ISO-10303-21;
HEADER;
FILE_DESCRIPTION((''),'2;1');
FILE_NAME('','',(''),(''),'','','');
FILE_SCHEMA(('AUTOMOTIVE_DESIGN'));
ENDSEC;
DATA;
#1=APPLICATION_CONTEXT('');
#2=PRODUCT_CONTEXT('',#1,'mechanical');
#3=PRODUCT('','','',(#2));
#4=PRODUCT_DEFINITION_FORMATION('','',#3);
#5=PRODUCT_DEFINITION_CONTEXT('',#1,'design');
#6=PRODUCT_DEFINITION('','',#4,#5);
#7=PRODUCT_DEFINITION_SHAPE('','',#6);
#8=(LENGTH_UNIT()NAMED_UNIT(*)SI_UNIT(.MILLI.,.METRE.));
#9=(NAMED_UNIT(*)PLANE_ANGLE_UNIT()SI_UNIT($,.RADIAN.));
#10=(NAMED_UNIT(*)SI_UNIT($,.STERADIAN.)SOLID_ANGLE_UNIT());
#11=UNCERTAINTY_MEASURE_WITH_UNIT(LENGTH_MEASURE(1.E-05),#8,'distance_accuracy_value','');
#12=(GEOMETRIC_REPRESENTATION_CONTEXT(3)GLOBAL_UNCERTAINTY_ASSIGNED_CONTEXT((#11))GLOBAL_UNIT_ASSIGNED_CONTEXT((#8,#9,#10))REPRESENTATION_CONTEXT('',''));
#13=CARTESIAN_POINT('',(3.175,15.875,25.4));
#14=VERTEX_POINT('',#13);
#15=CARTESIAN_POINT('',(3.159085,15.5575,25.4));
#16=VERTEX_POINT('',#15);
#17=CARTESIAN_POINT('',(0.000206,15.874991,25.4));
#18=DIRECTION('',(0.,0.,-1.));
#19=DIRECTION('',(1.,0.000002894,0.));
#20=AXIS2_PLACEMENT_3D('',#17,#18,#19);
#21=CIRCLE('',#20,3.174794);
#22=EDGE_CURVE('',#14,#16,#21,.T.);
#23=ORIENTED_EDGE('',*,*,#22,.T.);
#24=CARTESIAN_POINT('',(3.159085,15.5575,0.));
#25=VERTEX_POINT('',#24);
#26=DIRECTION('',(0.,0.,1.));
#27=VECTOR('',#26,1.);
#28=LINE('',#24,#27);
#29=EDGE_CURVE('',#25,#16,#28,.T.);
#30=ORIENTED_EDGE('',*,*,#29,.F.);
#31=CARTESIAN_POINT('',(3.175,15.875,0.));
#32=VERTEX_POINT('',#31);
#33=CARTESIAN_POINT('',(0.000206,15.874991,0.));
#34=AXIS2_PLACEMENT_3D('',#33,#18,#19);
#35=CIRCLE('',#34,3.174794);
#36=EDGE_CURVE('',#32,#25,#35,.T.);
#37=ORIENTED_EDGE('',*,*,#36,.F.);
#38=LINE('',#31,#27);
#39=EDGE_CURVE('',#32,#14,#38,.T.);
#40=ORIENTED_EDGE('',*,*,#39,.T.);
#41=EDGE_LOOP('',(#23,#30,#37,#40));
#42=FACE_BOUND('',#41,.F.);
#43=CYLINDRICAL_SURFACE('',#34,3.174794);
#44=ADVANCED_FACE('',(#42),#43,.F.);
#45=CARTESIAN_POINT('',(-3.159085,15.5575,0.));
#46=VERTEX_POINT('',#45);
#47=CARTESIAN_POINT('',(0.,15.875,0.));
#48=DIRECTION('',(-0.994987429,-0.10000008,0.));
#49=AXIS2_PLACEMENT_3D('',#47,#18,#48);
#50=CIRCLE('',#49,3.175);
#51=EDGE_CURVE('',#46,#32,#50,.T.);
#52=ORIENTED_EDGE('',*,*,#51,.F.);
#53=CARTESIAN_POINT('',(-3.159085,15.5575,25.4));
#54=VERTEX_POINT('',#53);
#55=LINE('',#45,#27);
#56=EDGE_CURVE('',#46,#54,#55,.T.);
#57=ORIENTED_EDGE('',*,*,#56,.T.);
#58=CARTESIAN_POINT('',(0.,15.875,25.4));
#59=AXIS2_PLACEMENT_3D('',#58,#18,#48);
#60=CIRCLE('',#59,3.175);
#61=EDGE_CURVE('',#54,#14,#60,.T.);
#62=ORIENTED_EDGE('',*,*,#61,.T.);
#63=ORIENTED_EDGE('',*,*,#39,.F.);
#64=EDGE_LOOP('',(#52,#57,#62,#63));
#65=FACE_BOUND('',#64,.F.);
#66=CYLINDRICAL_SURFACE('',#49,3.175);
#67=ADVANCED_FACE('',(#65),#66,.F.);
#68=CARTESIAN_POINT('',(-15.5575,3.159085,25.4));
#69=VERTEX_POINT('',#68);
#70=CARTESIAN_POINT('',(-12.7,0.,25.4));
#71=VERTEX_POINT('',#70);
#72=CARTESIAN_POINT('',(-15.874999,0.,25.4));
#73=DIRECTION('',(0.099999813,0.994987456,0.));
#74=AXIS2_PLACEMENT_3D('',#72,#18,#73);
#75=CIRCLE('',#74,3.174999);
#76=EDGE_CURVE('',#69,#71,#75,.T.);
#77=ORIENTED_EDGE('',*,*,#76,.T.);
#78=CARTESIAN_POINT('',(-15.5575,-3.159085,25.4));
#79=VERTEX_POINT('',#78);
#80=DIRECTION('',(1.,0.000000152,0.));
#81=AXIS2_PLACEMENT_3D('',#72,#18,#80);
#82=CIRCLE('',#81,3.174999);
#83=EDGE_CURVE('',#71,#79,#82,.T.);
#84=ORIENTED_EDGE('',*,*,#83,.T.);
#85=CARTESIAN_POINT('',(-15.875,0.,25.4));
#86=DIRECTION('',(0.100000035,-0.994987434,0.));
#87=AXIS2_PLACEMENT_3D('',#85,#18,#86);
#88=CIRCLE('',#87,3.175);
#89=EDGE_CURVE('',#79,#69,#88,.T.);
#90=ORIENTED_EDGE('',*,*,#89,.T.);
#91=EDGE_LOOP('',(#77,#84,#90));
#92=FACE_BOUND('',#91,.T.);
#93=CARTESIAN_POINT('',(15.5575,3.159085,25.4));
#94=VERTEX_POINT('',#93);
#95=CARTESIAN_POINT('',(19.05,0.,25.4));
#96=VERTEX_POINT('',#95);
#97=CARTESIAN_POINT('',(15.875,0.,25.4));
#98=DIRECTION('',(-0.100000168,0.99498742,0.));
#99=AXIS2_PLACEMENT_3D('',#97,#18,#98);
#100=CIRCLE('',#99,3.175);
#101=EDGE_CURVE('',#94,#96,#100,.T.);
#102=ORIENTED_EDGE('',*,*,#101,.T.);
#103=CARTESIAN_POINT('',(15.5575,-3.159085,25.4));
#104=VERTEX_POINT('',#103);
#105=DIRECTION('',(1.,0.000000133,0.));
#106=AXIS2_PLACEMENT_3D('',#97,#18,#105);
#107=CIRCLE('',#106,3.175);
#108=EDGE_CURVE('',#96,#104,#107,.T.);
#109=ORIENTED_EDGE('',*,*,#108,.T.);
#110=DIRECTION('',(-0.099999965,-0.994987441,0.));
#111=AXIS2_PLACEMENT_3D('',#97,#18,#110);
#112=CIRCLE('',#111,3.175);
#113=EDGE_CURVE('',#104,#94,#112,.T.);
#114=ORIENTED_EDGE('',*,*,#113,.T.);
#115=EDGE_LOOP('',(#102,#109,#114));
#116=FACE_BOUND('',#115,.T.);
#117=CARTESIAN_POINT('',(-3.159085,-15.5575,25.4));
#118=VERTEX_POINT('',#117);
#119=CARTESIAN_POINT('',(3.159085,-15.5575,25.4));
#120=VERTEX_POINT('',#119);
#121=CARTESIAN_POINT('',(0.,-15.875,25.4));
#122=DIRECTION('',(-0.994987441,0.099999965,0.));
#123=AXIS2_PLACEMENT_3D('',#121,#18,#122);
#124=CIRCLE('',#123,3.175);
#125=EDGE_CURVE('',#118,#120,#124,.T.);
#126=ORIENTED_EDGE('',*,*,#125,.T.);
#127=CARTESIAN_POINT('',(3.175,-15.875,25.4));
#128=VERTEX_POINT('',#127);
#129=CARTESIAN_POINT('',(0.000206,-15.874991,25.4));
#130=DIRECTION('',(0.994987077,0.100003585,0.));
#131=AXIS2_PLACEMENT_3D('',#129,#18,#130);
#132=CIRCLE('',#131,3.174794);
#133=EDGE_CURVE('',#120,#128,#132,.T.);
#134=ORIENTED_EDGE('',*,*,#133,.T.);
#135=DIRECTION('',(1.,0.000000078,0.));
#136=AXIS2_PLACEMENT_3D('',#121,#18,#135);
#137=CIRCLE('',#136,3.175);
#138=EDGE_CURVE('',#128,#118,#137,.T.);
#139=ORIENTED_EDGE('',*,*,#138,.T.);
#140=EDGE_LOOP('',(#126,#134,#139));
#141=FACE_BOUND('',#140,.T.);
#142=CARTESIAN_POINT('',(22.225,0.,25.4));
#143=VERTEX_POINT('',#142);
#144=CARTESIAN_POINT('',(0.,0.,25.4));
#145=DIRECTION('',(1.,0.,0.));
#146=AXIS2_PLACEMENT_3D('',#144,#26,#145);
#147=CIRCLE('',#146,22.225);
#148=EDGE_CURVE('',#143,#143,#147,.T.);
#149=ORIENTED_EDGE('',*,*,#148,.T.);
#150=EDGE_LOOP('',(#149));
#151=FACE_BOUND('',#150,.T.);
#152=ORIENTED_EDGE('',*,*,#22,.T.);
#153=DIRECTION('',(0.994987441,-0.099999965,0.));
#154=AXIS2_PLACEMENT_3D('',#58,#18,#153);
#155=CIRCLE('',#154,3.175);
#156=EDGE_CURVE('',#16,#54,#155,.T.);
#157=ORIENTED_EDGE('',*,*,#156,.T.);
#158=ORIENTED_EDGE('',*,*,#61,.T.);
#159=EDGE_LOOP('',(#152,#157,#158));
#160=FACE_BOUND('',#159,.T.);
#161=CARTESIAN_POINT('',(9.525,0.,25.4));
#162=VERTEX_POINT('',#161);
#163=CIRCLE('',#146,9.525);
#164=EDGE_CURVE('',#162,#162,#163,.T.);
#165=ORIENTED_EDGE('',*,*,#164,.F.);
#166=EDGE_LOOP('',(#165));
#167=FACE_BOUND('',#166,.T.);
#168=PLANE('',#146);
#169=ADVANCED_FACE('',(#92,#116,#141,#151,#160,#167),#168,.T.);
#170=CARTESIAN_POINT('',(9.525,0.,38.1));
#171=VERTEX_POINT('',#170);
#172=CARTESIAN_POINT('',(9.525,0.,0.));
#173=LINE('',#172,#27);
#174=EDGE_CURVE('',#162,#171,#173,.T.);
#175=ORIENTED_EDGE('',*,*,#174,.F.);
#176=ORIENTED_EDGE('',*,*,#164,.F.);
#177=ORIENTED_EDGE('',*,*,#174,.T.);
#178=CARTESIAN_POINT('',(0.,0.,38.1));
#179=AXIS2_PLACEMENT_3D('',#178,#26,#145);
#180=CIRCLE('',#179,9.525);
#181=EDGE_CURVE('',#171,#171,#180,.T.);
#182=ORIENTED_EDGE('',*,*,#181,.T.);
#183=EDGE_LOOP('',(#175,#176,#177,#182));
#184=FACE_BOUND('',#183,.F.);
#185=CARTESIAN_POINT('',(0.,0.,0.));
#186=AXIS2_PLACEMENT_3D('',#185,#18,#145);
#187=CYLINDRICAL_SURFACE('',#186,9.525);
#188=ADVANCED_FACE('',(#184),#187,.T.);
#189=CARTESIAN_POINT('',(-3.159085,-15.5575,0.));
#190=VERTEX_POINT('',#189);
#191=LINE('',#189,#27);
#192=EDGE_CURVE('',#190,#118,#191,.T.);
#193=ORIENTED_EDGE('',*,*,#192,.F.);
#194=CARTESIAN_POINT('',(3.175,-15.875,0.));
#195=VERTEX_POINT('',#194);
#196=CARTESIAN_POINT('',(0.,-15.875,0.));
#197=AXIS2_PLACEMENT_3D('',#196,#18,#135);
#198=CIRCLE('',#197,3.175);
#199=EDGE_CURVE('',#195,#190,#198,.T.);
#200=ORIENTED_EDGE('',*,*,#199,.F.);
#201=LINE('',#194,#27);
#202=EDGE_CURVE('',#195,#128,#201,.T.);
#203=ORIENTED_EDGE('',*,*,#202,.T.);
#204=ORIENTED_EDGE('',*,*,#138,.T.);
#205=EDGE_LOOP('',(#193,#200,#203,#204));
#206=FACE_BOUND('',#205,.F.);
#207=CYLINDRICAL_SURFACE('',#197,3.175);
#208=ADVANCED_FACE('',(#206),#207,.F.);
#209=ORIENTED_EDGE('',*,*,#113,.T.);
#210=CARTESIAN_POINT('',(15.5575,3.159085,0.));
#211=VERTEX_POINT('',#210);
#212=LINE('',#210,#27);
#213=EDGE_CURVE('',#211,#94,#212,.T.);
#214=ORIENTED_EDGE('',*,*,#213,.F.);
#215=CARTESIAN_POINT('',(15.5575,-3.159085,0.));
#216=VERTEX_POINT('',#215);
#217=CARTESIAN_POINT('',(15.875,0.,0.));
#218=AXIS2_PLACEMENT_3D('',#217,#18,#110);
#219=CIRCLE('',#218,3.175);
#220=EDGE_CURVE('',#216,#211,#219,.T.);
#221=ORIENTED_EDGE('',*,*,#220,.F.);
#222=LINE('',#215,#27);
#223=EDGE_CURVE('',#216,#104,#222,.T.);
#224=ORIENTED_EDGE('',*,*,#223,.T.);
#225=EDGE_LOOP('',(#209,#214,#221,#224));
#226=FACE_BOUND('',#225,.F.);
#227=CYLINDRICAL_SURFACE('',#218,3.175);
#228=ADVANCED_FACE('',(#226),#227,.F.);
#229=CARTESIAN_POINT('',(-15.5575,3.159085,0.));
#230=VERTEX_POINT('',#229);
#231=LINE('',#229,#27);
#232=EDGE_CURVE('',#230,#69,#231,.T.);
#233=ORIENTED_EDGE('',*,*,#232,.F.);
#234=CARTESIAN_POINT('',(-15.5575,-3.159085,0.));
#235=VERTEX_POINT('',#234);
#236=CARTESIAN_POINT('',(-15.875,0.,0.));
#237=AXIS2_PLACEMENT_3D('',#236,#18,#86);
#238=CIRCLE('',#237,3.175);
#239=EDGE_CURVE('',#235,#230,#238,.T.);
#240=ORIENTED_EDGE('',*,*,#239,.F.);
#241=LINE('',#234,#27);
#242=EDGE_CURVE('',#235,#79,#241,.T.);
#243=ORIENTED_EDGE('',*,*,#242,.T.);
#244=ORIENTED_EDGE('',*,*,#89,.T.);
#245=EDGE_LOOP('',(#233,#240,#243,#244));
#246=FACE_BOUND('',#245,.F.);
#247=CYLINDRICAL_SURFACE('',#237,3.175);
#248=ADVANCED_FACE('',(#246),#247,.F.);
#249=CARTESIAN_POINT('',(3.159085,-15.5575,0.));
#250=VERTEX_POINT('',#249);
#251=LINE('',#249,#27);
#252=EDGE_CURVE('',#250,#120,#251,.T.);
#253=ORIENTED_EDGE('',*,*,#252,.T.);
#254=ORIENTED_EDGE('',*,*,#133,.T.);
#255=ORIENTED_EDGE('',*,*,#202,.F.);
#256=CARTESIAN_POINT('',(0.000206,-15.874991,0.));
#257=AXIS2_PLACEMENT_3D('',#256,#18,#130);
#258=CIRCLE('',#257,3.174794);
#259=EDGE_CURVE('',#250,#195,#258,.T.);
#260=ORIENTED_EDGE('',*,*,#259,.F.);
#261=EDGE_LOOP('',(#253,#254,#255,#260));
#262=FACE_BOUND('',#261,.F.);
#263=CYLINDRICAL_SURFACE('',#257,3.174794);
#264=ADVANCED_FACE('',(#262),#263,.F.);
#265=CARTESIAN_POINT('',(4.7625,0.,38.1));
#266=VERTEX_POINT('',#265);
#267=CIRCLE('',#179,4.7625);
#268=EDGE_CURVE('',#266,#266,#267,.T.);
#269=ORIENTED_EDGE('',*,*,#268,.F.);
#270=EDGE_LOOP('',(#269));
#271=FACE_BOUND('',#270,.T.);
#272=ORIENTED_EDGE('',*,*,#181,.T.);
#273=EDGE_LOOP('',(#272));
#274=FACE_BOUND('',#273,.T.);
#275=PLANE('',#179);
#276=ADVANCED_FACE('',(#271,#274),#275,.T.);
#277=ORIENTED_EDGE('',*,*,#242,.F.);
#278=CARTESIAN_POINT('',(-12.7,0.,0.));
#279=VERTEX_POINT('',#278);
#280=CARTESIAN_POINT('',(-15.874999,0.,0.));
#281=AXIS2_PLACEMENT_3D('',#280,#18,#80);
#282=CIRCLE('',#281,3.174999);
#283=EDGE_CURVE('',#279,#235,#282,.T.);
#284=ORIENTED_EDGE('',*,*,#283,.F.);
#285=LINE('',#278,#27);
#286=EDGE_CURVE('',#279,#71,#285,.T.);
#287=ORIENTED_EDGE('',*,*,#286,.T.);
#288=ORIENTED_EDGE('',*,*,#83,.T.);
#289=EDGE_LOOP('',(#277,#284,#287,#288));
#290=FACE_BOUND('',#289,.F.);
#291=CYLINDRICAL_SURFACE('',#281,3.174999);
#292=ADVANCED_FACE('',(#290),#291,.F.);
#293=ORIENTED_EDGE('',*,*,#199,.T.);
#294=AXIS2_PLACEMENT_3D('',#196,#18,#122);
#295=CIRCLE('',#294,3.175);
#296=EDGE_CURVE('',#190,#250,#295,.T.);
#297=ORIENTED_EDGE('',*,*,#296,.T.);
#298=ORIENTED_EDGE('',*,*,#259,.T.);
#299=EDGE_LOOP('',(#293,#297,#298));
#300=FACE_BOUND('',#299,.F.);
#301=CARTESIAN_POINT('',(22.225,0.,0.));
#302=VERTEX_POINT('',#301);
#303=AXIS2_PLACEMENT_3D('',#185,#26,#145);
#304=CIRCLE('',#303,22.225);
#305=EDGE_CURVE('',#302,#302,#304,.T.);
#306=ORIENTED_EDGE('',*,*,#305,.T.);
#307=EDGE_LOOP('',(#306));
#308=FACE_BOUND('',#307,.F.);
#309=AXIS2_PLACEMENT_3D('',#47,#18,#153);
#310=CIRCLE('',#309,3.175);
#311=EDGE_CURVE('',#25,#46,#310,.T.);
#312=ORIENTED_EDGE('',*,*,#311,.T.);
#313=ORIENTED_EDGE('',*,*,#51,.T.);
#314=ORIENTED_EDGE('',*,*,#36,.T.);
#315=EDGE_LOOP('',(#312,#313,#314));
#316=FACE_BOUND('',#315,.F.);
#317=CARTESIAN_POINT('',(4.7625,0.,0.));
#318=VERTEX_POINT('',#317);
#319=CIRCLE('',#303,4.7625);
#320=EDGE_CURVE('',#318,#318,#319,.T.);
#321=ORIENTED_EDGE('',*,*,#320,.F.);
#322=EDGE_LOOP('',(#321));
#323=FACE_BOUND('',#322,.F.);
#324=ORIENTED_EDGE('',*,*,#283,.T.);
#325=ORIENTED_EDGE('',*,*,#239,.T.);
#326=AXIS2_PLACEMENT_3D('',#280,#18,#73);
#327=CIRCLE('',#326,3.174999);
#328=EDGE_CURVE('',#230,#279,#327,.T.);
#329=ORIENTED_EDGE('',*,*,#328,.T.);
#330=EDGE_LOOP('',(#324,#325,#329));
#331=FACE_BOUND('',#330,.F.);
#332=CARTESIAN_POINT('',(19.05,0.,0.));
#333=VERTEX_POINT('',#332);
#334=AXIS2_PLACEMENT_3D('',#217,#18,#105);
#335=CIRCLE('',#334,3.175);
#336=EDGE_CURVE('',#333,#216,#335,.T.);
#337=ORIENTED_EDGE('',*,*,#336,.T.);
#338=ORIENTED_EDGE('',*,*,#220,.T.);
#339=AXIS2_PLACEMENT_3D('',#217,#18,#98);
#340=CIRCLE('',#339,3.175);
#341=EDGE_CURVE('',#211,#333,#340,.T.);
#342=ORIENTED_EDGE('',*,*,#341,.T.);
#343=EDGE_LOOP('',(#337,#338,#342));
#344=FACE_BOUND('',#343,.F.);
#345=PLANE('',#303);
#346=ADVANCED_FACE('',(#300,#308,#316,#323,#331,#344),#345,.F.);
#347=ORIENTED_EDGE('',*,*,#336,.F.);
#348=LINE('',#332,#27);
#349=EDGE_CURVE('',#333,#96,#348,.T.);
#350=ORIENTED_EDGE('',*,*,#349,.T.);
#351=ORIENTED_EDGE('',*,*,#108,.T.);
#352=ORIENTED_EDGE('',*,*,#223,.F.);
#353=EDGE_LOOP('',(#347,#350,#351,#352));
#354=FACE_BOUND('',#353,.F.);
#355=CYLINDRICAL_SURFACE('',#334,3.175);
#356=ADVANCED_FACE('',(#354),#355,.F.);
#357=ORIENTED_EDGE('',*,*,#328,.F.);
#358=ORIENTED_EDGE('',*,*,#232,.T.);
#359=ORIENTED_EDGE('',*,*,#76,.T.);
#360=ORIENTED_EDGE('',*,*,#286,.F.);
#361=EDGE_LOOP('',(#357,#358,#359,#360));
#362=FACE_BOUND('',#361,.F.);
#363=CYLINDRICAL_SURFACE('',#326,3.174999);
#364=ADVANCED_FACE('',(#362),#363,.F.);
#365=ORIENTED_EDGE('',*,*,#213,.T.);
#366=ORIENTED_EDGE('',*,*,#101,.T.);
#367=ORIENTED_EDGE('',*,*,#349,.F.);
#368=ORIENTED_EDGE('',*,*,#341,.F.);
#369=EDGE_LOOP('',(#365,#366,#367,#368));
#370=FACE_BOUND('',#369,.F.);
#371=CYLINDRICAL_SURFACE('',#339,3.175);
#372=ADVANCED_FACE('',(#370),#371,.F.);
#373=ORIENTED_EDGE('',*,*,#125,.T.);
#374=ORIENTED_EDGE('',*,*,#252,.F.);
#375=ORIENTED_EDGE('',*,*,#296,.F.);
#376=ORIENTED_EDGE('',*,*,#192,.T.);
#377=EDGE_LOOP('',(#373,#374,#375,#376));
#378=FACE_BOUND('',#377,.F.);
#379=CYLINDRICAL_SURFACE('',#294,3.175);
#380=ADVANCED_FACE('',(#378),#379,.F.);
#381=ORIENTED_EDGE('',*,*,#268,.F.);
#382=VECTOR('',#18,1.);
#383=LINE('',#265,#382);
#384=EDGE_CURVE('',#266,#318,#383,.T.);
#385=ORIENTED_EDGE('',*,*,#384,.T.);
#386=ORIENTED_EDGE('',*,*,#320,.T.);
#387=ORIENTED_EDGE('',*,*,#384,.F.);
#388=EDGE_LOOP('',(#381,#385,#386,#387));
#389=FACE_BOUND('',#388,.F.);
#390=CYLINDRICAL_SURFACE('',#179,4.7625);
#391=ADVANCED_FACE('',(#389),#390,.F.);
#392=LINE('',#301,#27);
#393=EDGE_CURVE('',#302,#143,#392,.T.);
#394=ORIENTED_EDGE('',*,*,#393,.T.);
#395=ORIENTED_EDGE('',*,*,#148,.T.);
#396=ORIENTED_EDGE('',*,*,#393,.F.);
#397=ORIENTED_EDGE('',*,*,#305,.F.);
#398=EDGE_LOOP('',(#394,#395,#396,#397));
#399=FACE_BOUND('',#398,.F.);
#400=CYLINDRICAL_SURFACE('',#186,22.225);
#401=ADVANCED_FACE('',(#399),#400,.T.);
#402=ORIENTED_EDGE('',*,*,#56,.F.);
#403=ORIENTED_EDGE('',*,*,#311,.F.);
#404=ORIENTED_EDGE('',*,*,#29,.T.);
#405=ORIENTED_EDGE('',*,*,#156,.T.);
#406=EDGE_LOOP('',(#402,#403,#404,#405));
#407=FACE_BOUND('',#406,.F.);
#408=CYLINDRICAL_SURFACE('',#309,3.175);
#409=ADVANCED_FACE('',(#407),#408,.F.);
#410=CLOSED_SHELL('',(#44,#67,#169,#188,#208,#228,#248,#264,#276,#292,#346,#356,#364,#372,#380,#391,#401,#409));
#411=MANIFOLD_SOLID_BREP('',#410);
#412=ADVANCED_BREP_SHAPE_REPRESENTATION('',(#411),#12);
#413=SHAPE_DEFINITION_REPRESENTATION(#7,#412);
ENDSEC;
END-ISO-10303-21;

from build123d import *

# Parameters (mm, degrees)
F0_R     = 22.225
F0_R_2   = 9.525
F1_DEPTH = 25.4
F0_R_3   = 4.7625
F2_DEPTH = 38.1
F3_R     = 4.7625
F4_DEPTH = 38.1


with BuildPart() as f1:
    # F0 (on Top) → F1 (new body)
    with BuildSketch(Plane.XY):
        Circle(F0_R)
        with BuildLine():
            ThreePointArc((3.159085, 15.5575), (11.22532, 11.22532), (15.5575, 3.159085))
            ThreePointArc((15.5575, 3.159085), (18.004855, 2.354643), (19.05, 0))
            ThreePointArc((19.05, 0), (18.004855, -2.354643), (15.5575, -3.159085))
            ThreePointArc((15.5575, -3.159085), (11.22532, -11.22532), (3.159085, -15.5575))
            ThreePointArc((3.159085, -15.5575), (3.171019, -15.716051), (3.175, -15.875))
            ThreePointArc((3.175, -15.875), (-0.158949, -19.046019), (-3.159085, -15.5575))
            ThreePointArc((-3.159085, -15.5575), (-11.22532, -11.22532), (-15.5575, -3.159085))
            ThreePointArc((-15.5575, -3.159085), (-19.05, 0), (-15.5575, 3.159085))
            ThreePointArc((-15.5575, 3.159085), (-11.22532, 11.22532), (-3.159085, 15.5575))
            ThreePointArc((-3.159085, 15.5575), (-0.158949, 19.046019), (3.175, 15.875))
            ThreePointArc((3.175, 15.875), (3.171019, 15.716051), (3.159085, 15.5575))
        make_face(mode=Mode.SUBTRACT)
        with BuildLine():
            ThreePointArc((15.5575, -3.159085), (12.7, 0), (15.5575, 3.159085))
            ThreePointArc((15.5575, 3.159085), (11.22532, 11.22532), (3.159085, 15.5575))
            ThreePointArc((3.159085, 15.5575), (0, 12.7), (-3.159085, 15.5575))
            ThreePointArc((-3.159085, 15.5575), (-11.22532, 11.22532), (-15.5575, 3.159085))
            ThreePointArc((-15.5575, 3.159085), (-13.520357, 2.129855), (-12.7, 0))
            ThreePointArc((-12.7, 0), (-13.520357, -2.129855), (-15.5575, -3.159085))
            ThreePointArc((-15.5575, -3.159085), (-11.22532, -11.22532), (-3.159085, -15.5575))
            ThreePointArc((-3.159085, -15.5575), (0, -12.7), (3.159085, -15.5575))
            ThreePointArc((3.159085, -15.5575), (11.22532, -11.22532), (15.5575, -3.159085))
        make_face()
        Circle(F0_R_2, mode=Mode.SUBTRACT)
    extrude(amount=F1_DEPTH)

    # F0 (on Top) → F2 (join)
    with BuildSketch(Plane.XY):
        Circle(F0_R_2)
        Circle(F0_R_3, mode=Mode.SUBTRACT)
        Circle(F0_R_3)
    extrude(amount=F2_DEPTH)

    # F3 (on face) → F4 (cut)
    with BuildSketch(Plane.XY.offset(38.1)):
        Circle(F3_R)
    extrude(amount=-F4_DEPTH, mode=Mode.SUBTRACT)


solid = f1.part
